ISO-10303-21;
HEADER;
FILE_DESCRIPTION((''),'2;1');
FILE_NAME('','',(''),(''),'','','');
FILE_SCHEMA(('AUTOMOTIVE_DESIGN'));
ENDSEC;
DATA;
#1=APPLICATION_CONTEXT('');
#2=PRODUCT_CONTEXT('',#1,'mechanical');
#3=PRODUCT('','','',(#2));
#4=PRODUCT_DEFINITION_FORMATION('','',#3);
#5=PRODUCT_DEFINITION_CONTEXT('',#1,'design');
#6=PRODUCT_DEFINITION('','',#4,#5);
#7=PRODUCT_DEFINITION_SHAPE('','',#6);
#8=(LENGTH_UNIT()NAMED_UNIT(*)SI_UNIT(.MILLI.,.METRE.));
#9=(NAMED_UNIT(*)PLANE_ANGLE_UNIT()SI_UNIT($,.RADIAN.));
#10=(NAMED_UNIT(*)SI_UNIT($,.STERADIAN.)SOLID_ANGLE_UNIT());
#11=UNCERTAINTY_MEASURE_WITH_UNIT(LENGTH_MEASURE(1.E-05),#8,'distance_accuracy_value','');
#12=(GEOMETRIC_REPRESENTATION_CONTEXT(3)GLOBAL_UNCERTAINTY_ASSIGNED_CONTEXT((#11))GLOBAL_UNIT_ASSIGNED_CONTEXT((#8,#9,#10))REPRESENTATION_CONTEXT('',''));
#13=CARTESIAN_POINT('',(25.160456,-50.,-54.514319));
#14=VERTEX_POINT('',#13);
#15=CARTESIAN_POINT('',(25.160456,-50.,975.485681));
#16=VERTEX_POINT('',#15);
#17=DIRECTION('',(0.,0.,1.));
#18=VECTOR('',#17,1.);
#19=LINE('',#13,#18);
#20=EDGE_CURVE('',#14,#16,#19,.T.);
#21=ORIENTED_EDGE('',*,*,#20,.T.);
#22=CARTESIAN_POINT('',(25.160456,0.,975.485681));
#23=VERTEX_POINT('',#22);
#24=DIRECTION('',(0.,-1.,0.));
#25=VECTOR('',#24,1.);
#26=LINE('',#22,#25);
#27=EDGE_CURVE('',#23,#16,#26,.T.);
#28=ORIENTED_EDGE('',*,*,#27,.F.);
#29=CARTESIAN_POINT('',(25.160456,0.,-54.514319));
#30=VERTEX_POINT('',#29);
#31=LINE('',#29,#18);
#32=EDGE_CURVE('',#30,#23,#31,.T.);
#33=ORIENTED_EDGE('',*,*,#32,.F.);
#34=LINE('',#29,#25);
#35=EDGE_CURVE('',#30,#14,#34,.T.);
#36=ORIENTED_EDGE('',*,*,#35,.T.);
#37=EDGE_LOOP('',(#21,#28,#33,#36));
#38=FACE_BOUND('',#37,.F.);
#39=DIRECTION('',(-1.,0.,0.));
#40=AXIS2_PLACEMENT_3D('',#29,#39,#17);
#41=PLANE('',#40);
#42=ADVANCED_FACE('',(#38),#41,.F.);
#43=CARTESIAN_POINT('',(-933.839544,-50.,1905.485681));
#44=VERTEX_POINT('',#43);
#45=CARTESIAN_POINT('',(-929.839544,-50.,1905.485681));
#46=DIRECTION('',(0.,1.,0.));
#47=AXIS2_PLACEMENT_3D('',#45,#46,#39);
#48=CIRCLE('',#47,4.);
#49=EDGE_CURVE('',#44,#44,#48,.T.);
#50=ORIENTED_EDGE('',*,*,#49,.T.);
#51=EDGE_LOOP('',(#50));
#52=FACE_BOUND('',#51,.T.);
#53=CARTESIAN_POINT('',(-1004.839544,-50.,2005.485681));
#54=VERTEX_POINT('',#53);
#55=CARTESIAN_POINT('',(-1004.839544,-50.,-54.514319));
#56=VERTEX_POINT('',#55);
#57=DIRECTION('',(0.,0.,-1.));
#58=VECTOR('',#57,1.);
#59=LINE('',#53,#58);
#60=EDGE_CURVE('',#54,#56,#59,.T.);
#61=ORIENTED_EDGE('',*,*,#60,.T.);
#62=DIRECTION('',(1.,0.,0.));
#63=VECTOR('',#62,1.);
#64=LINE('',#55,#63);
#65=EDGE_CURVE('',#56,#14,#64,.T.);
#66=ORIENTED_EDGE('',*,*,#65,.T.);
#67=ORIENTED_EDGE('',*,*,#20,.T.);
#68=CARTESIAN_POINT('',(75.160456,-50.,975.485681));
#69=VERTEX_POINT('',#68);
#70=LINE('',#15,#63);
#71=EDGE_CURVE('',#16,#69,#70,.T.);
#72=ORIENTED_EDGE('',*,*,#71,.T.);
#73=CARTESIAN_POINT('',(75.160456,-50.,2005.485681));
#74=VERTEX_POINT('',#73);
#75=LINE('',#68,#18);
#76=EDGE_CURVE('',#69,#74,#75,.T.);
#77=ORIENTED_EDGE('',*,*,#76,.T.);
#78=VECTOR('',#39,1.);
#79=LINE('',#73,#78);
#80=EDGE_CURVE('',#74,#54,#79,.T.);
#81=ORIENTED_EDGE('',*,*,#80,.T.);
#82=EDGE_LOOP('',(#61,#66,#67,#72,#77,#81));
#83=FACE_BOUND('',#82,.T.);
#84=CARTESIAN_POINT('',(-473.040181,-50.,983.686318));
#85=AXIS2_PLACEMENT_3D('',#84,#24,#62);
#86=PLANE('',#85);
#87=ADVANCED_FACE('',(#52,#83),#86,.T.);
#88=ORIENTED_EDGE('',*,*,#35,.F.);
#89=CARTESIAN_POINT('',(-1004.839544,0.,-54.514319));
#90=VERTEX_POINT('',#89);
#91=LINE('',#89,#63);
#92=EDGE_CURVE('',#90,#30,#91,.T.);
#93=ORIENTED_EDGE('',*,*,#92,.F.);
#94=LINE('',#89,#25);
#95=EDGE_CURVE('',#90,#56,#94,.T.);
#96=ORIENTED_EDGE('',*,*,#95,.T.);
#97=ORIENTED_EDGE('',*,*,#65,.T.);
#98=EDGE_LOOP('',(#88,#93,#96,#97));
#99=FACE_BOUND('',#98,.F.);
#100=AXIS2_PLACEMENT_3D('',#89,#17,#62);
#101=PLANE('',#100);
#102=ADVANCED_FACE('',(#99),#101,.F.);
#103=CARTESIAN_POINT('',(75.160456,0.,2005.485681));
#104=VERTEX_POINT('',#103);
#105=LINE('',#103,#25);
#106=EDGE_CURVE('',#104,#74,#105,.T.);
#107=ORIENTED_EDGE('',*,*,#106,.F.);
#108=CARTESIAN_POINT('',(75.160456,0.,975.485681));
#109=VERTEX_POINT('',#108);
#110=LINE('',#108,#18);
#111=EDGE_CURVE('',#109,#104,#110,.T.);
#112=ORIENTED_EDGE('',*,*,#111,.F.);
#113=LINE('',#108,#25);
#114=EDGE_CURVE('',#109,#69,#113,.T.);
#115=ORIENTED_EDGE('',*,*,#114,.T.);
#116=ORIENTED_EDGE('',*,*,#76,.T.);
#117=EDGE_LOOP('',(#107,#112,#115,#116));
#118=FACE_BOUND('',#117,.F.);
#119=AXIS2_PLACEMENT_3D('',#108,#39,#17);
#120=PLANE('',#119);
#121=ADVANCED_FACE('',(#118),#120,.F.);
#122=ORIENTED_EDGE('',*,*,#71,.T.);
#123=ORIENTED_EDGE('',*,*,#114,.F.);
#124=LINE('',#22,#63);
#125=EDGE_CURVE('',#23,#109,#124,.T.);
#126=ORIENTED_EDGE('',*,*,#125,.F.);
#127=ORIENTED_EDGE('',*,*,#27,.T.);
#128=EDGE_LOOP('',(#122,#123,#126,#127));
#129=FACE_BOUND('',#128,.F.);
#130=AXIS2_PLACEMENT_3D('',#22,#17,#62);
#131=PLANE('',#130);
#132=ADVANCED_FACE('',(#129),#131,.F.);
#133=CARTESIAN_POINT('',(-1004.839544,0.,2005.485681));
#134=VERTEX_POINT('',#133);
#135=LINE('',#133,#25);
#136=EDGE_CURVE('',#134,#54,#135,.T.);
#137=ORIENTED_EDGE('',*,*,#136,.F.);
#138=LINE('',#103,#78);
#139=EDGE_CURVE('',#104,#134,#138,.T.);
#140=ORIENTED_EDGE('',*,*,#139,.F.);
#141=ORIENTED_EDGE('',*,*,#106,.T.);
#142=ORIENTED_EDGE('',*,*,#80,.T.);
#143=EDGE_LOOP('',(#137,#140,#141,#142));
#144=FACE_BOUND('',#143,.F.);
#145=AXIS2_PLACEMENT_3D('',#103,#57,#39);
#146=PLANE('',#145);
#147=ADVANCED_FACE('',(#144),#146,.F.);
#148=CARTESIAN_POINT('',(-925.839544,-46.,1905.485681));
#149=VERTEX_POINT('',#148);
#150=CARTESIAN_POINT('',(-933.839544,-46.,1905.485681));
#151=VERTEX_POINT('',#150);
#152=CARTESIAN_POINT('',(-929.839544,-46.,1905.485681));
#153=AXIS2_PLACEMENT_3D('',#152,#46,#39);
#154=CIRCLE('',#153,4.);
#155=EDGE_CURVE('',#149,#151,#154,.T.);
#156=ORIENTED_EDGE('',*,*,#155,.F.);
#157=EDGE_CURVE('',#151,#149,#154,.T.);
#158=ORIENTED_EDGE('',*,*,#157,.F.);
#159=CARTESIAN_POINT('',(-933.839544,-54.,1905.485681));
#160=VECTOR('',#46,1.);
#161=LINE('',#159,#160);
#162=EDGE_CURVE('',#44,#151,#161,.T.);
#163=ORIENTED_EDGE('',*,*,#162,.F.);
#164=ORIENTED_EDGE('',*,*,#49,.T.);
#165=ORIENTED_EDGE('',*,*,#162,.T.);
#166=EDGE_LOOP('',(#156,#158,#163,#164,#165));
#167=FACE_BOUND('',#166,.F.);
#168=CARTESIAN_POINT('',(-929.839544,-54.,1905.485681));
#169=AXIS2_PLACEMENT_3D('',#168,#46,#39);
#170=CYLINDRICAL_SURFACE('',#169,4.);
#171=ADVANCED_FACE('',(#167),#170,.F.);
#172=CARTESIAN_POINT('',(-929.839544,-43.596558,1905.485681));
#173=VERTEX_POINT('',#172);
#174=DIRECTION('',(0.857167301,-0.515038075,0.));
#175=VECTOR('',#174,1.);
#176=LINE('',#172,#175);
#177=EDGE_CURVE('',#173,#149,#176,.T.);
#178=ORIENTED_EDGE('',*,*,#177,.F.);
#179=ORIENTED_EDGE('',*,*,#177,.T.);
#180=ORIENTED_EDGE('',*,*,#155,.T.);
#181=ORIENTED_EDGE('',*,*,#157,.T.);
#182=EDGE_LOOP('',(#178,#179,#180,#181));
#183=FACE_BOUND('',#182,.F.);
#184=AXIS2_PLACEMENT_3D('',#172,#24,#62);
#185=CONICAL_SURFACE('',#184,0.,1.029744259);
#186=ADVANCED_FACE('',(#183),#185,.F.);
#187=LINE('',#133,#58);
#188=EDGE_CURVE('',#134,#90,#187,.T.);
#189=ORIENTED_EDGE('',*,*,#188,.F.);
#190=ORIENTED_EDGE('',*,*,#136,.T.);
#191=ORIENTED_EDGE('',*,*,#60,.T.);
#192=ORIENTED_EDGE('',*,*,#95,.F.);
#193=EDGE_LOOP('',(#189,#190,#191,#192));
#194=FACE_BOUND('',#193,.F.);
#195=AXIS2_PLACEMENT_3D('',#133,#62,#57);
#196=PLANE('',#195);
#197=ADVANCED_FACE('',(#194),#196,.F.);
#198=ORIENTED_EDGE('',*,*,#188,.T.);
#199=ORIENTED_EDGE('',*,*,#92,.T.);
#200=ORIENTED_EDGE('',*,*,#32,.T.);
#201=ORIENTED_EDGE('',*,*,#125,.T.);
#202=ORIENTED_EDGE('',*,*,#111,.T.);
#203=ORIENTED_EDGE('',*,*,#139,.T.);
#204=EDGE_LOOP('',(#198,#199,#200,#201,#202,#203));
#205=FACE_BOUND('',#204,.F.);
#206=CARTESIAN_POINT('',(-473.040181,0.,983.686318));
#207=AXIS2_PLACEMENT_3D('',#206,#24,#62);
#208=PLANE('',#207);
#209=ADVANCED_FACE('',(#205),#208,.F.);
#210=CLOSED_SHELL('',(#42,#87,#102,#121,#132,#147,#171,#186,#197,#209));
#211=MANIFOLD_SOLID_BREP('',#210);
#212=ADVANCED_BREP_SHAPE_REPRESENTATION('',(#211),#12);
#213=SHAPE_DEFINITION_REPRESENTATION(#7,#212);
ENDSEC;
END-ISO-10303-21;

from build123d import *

# Parameters (mm, degrees)
F1_DEPTH = 50
F3_D     = 8
F3_DEPTH = 4
F3_TIP   = 2.4034424761


with BuildPart() as f1:
    # F0 (on Front) → F1 (new body)
    with BuildSketch(Plane.XZ):
        Polygon((75.1604560763, 2005.4856812954), (-1004.8395439237, 2005.4856812954), (-1004.8395439237, -54.5143187046), (25.1604560763, -54.5143187046), (25.1604560763, 975.4856812954), (75.1604560763, 975.4856812954), align=None)
    extrude(amount=F1_DEPTH)

    # F3
    with Locations(Plane.XZ.offset(50)):
        with Locations((-929.8395439237, 1905.4856812954)):
            Hole(F3_D / 2, depth=F3_DEPTH)
            with Locations((0, 0, -(F3_DEPTH + F3_TIP / 2))):  # 118° drill point
                Cone(0, F3_D / 2, F3_TIP, mode=Mode.SUBTRACT)


solid = f1.part
